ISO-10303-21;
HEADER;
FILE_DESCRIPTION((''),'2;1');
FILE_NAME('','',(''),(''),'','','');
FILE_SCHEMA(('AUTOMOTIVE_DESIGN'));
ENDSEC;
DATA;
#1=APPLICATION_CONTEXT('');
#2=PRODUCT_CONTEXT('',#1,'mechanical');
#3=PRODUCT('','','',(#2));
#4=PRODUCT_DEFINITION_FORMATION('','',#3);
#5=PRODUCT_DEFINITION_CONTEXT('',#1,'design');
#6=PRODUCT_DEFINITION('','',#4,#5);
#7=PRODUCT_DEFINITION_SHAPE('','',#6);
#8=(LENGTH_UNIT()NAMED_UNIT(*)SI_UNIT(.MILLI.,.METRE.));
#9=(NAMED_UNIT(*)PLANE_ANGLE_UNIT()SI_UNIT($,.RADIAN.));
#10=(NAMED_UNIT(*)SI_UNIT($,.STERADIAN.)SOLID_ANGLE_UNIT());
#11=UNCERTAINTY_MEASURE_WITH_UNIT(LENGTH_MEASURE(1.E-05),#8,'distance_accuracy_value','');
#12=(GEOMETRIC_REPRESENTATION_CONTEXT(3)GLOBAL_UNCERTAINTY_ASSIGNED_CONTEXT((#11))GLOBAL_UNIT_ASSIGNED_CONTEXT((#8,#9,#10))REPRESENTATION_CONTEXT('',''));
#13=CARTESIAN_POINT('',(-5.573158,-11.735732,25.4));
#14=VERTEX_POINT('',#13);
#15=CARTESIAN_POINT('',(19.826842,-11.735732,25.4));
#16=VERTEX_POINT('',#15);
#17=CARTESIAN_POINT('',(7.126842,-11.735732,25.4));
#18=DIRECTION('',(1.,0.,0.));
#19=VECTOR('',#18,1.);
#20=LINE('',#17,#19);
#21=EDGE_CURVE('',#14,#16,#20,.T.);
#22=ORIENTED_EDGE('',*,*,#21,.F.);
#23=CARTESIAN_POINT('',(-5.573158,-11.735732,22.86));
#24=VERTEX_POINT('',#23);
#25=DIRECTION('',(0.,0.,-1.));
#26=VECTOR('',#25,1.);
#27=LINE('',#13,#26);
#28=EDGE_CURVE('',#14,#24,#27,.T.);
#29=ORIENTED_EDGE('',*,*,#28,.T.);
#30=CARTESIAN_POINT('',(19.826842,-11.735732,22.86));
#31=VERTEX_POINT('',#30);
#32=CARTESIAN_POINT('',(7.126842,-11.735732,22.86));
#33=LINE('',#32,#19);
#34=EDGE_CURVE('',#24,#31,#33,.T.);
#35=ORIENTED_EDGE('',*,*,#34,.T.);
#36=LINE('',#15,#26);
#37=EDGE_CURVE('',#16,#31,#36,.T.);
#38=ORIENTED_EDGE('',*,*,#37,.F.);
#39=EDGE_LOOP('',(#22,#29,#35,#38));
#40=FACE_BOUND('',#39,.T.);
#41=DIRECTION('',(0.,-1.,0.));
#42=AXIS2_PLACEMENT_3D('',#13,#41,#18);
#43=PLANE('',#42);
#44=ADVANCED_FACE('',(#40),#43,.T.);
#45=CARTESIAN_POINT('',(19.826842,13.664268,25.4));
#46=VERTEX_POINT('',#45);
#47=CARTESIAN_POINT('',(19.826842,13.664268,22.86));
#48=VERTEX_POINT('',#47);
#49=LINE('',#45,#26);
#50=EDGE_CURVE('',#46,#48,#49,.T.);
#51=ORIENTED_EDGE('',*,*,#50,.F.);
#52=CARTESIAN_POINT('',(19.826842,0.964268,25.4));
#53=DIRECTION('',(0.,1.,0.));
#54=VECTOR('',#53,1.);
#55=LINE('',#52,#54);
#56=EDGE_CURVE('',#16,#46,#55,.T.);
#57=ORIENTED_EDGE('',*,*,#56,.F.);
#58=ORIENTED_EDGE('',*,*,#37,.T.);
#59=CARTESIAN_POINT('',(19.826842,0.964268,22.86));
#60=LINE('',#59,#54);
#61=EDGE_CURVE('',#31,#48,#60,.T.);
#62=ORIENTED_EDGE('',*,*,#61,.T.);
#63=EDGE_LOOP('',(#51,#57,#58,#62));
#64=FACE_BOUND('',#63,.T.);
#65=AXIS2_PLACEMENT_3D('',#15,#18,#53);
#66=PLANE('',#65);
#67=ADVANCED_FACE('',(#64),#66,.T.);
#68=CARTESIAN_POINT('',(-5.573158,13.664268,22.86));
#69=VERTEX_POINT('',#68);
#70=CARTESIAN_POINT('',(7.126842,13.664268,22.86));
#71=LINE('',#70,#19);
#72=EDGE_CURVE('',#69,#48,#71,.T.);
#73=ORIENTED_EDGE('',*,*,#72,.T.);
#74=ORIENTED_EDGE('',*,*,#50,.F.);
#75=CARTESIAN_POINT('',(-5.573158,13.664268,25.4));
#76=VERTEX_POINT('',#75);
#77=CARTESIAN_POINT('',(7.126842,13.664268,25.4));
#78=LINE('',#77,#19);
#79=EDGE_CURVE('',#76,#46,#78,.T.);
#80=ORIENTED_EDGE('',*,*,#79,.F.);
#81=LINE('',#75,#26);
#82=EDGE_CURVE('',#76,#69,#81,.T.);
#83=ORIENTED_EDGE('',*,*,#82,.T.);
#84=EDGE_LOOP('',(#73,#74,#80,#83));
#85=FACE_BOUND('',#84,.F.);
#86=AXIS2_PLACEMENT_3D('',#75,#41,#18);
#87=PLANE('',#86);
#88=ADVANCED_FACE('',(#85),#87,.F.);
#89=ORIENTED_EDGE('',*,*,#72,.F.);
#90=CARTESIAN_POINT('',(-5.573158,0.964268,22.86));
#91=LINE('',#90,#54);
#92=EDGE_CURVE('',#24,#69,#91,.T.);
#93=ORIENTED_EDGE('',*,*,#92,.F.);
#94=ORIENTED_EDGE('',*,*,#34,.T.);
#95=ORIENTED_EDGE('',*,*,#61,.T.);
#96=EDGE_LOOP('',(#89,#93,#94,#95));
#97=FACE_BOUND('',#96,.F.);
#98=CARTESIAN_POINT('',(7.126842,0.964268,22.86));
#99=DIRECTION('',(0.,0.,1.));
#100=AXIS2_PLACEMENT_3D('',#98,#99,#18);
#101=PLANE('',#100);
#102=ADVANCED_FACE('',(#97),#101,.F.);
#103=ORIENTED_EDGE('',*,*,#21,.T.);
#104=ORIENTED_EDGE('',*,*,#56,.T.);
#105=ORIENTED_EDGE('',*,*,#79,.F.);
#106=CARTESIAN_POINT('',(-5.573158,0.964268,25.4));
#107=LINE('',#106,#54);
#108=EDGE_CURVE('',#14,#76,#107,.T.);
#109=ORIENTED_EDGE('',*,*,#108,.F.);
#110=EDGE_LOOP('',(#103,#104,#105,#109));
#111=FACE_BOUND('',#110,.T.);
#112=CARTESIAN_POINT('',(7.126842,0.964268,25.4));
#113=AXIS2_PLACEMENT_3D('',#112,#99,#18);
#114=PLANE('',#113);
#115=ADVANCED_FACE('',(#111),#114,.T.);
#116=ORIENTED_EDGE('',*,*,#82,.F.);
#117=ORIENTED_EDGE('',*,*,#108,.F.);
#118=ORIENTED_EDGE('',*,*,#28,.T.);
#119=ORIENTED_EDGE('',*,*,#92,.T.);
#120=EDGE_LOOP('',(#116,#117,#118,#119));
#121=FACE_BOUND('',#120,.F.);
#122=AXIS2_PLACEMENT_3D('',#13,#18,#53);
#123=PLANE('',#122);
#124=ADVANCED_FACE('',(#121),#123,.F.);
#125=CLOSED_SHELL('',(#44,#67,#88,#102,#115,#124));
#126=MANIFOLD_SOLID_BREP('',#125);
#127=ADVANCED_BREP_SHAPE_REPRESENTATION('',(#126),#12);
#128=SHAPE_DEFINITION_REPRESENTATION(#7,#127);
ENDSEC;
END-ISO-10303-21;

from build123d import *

# Parameters (mm, degrees)
F1_W     = 25.4
F1_H     = 25.4
F2_DEPTH = 2.54


with BuildPart() as f2:
    # F1 (on offset) → F2 (new body)
    with BuildSketch(Plane.XY.offset(25.4)):
        with Locations((7.126842, 0.964268)):
            Rectangle(F1_W, F1_H)
    extrude(amount=-F2_DEPTH)


solid = f2.part
